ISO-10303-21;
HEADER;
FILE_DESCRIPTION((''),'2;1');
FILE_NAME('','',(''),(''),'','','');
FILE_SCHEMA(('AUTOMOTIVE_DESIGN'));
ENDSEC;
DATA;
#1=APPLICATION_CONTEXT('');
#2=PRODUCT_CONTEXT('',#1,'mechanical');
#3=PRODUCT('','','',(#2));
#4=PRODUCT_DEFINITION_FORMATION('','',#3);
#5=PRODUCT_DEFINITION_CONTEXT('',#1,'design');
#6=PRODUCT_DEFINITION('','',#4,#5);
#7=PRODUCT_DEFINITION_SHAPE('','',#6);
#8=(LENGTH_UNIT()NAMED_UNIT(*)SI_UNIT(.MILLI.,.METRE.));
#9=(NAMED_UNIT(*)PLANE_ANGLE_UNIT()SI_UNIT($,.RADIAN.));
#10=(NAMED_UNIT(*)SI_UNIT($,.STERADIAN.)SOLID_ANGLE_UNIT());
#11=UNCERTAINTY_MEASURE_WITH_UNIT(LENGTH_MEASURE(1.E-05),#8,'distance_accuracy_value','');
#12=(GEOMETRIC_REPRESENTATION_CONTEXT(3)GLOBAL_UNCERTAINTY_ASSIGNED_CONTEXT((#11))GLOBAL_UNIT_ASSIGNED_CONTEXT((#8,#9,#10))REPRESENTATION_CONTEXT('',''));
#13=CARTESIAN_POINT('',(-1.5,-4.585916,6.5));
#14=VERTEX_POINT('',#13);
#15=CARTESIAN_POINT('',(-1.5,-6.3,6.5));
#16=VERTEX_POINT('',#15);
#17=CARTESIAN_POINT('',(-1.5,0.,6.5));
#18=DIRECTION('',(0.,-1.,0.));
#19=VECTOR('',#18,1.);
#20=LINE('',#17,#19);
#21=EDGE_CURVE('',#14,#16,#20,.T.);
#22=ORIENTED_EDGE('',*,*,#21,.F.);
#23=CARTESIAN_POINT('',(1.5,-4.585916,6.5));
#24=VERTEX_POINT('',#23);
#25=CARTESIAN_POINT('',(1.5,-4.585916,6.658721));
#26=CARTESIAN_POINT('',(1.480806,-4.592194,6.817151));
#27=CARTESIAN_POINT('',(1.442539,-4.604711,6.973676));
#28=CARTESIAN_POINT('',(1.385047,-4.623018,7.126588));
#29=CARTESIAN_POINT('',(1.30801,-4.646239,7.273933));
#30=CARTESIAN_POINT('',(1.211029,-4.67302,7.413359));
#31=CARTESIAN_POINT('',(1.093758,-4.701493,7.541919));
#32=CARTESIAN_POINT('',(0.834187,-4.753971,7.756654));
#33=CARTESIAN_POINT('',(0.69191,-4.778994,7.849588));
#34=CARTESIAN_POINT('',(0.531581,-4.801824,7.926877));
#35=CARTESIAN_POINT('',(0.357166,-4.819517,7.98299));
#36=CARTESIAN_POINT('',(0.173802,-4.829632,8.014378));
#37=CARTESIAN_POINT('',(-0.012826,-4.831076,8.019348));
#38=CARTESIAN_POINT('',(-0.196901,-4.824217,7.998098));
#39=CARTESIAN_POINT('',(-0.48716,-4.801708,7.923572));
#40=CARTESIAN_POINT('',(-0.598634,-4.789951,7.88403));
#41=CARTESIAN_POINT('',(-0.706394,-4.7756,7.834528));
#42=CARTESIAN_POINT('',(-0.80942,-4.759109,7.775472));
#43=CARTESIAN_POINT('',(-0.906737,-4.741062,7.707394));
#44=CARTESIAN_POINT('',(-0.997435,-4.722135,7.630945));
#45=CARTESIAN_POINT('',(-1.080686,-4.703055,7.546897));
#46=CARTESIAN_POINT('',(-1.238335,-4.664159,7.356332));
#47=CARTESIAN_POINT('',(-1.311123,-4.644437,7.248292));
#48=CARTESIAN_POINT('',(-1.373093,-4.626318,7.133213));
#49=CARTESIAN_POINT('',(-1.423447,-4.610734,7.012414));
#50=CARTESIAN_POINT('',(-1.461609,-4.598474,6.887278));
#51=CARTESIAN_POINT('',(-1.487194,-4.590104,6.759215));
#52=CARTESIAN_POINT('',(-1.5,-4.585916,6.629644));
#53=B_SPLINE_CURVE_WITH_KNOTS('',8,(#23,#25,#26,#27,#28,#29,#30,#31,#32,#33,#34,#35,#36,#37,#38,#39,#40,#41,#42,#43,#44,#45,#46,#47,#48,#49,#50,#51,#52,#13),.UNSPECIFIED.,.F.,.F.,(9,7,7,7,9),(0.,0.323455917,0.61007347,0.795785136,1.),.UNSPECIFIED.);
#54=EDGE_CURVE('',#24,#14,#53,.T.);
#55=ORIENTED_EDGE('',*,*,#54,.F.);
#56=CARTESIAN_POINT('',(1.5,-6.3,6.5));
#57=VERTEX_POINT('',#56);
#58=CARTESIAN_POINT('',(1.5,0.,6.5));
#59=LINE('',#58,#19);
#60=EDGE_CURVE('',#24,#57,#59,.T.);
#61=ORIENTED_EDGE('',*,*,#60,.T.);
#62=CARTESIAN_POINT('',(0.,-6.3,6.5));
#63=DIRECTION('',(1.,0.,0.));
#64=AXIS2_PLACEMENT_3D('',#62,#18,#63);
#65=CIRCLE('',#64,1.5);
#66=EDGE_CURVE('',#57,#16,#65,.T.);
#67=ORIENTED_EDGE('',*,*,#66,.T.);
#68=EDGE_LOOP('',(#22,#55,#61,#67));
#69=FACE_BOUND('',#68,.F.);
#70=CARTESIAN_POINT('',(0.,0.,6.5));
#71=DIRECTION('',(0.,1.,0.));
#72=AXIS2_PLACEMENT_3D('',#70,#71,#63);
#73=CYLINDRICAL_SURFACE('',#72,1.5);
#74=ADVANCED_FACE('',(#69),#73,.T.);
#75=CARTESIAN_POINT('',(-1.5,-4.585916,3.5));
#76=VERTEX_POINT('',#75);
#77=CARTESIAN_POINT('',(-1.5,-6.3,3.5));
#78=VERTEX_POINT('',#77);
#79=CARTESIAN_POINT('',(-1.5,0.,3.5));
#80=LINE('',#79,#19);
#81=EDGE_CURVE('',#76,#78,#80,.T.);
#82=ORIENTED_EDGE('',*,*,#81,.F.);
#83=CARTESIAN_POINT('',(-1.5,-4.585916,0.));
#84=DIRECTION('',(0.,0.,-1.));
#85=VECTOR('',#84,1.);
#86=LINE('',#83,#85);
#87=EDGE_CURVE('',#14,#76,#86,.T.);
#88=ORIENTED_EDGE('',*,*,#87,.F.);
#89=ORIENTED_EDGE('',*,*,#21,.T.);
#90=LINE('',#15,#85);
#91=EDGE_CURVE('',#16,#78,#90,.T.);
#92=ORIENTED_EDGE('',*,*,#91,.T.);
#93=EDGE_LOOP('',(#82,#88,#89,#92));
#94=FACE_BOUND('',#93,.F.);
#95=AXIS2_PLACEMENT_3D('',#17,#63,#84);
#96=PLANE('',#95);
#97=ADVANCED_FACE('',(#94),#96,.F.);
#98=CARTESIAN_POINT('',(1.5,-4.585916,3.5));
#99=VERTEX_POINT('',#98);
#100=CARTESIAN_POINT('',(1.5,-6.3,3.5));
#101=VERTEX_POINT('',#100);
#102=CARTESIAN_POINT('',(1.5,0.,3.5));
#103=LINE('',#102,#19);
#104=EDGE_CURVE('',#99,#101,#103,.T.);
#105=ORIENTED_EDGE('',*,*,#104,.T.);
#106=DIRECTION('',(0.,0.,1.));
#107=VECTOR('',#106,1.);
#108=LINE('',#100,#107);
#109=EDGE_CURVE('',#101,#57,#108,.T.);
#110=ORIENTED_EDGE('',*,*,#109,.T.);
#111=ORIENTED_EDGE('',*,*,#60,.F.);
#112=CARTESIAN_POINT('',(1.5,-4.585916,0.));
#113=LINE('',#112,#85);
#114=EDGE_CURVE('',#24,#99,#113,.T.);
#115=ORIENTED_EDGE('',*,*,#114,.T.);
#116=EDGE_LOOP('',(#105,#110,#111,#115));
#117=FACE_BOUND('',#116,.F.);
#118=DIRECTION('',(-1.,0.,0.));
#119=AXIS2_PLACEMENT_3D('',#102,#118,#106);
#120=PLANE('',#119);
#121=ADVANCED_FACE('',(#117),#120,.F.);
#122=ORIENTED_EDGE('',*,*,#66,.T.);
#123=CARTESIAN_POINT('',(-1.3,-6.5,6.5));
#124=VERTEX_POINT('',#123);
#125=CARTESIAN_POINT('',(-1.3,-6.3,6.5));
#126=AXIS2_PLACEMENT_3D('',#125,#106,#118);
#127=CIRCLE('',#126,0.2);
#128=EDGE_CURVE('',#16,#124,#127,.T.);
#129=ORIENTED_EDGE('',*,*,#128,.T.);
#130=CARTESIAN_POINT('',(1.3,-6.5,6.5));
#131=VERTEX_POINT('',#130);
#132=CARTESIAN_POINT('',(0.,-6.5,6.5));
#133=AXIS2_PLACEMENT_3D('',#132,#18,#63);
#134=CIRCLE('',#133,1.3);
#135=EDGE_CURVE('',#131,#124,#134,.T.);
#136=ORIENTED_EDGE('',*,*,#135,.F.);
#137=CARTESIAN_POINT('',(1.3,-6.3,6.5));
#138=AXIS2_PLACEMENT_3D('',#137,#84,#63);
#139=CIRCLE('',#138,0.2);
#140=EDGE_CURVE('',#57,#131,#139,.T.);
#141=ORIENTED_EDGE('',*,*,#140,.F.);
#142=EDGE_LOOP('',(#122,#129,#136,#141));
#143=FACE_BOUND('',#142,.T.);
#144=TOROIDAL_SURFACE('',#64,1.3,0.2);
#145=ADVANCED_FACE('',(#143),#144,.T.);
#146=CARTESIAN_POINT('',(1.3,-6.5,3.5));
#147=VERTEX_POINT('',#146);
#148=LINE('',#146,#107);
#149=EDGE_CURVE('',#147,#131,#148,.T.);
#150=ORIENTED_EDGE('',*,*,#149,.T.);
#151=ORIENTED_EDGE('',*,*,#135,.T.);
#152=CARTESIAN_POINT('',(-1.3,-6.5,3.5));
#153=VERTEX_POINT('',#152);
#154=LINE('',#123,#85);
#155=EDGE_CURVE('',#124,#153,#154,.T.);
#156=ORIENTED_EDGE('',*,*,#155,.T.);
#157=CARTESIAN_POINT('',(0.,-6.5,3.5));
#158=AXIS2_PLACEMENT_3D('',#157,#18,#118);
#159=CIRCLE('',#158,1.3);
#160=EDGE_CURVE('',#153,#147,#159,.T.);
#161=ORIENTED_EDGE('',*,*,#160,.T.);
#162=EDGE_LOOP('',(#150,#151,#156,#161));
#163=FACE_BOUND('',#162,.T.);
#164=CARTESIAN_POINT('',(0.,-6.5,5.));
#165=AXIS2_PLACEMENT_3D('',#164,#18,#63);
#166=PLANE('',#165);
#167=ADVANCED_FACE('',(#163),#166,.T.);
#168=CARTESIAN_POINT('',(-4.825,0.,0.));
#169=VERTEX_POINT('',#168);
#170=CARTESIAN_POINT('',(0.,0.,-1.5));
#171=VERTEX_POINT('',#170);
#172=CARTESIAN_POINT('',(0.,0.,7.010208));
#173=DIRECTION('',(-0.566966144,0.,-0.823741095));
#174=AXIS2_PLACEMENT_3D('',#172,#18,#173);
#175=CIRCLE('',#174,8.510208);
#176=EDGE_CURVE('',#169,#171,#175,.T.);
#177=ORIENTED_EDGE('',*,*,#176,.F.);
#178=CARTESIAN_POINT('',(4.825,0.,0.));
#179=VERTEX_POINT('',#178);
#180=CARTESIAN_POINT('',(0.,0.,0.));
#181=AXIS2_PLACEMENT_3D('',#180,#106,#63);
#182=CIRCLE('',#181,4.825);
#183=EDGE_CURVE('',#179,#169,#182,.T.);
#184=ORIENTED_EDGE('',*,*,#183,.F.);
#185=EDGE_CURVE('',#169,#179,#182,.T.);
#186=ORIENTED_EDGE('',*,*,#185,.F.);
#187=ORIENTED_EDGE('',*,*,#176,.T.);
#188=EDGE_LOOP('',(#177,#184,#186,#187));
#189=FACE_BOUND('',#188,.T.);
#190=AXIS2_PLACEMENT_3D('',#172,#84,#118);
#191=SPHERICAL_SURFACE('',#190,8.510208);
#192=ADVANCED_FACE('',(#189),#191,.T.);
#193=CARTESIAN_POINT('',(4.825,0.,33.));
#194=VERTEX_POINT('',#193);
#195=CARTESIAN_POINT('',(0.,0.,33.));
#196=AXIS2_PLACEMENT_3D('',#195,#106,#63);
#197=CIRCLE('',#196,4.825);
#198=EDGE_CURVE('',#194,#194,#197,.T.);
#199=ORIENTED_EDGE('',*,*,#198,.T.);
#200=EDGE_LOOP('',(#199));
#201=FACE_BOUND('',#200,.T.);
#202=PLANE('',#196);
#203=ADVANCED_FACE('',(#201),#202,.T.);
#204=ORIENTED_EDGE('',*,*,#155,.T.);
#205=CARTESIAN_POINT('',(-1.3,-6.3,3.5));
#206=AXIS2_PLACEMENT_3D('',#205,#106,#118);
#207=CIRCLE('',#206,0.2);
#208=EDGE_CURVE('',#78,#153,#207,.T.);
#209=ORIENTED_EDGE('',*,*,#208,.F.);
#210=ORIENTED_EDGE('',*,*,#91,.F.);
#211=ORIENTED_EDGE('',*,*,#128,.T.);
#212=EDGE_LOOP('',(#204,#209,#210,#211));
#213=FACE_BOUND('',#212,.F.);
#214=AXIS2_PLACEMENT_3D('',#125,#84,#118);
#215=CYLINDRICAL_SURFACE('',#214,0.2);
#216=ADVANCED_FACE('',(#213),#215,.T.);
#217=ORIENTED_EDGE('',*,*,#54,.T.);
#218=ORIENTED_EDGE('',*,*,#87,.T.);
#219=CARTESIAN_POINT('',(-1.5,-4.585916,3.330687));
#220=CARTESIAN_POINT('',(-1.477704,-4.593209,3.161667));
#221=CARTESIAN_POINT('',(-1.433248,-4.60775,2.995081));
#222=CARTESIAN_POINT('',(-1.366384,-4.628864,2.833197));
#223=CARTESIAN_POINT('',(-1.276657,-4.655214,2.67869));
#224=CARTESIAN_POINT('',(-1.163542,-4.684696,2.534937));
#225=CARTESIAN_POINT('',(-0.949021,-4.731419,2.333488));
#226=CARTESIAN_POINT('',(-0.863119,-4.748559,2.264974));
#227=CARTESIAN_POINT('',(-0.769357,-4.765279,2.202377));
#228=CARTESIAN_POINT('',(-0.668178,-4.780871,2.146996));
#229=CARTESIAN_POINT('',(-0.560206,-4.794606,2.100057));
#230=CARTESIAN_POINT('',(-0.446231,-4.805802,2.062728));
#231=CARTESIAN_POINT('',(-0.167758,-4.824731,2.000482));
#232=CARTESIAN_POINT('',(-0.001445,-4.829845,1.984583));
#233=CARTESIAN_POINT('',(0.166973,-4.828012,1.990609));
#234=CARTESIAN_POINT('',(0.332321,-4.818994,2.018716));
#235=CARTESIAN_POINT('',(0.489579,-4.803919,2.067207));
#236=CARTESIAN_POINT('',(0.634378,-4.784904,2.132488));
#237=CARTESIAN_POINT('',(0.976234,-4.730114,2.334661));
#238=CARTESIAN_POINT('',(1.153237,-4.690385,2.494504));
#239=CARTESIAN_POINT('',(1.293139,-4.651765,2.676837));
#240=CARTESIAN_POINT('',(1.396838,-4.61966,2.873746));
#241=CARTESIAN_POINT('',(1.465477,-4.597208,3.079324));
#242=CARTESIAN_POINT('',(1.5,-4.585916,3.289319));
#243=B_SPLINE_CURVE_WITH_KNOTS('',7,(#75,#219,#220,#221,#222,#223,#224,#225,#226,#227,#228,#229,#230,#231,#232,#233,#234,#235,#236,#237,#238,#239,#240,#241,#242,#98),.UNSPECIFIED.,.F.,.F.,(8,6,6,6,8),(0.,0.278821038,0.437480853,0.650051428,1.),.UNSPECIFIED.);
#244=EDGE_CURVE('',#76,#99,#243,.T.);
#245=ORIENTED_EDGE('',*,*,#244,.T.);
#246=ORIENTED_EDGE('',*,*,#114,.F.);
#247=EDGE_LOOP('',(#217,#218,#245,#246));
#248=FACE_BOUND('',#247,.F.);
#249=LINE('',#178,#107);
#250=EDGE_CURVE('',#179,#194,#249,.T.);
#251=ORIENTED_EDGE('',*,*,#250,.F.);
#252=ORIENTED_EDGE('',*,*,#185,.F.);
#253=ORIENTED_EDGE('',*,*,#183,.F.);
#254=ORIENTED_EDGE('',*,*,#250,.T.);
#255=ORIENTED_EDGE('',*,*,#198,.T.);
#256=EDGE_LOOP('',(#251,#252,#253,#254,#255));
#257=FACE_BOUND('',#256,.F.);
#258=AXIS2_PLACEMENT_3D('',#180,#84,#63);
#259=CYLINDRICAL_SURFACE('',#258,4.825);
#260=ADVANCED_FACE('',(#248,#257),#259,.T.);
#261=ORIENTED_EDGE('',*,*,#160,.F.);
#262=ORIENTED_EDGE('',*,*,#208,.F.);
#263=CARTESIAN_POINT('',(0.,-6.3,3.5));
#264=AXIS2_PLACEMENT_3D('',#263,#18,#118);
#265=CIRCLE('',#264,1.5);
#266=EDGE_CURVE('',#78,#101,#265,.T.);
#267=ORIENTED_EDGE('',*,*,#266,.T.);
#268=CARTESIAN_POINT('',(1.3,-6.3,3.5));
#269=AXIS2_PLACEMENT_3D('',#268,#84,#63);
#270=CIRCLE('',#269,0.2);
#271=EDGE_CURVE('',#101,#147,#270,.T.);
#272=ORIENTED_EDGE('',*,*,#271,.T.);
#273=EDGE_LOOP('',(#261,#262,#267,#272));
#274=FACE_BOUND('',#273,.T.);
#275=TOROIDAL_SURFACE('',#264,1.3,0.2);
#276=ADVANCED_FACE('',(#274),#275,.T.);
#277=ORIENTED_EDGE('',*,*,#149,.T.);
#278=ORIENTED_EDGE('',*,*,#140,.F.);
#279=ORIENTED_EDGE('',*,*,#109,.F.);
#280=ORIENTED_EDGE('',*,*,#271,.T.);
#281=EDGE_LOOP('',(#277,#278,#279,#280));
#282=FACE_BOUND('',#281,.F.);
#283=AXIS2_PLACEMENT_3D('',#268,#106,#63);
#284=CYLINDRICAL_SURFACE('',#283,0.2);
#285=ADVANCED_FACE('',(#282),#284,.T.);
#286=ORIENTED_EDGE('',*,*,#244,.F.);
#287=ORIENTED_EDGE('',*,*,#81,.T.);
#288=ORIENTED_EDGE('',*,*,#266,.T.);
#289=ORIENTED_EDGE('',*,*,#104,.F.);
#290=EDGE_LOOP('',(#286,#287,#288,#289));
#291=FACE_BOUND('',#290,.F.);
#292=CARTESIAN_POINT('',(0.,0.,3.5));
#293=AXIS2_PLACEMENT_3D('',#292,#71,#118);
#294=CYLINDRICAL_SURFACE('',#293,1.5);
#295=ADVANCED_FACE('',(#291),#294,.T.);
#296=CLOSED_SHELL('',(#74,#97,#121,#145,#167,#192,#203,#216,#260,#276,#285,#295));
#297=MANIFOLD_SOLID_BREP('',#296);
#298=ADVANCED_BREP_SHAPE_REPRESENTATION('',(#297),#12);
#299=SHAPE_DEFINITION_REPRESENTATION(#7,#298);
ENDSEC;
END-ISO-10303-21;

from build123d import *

# Parameters (mm, degrees)
F0_R     = 4.825
F1_DEPTH = 33
F3_DEPTH = 6.5
F4_R     = 0.2


with BuildPart() as f1:
    # F0 (on Top) → F1 (new body)
    with BuildSketch(Plane.XY):
        Circle(F0_R)
    extrude(amount=F1_DEPTH)

    # F2 (on Front) → F3 (join)
    with BuildSketch(Plane.XZ):
        with BuildLine():
            ThreePointArc((-1.5, 3.5), (0, 2), (1.5, 3.5))
            Line((1.5, 3.5), (1.5, 6.5))
            ThreePointArc((1.5, 6.5), (0, 8), (-1.5, 6.5))
            Line((-1.5, 6.5), (-1.5, 3.5))
        make_face()
    extrude(amount=F3_DEPTH)

    # F4
    f4_edges = [f1.edges().sort_by_distance(p)[0] for p in [
        (0, -6.5, 2),
        (1.5, -6.5, 5),
        (0, -6.5, 8),
        (-1.5, -6.5, 5),
    ]]
    fillet(f4_edges, radius=F4_R)

    # F5 (on Front) → F6 (revolve)
    with BuildSketch(Plane.XZ):
        with BuildLine():
            Line((0, 0), (-4.825, 0))
            ThreePointArc((-4.825, 0), (-2.5263919431, -1.1163524169), (0, -1.5))
            Line((0, -1.5), (0, 0))
        make_face()
    revolve(axis=Axis((0, 0, -1.4078605181), (0, 0, -1)))


solid = f1.part
